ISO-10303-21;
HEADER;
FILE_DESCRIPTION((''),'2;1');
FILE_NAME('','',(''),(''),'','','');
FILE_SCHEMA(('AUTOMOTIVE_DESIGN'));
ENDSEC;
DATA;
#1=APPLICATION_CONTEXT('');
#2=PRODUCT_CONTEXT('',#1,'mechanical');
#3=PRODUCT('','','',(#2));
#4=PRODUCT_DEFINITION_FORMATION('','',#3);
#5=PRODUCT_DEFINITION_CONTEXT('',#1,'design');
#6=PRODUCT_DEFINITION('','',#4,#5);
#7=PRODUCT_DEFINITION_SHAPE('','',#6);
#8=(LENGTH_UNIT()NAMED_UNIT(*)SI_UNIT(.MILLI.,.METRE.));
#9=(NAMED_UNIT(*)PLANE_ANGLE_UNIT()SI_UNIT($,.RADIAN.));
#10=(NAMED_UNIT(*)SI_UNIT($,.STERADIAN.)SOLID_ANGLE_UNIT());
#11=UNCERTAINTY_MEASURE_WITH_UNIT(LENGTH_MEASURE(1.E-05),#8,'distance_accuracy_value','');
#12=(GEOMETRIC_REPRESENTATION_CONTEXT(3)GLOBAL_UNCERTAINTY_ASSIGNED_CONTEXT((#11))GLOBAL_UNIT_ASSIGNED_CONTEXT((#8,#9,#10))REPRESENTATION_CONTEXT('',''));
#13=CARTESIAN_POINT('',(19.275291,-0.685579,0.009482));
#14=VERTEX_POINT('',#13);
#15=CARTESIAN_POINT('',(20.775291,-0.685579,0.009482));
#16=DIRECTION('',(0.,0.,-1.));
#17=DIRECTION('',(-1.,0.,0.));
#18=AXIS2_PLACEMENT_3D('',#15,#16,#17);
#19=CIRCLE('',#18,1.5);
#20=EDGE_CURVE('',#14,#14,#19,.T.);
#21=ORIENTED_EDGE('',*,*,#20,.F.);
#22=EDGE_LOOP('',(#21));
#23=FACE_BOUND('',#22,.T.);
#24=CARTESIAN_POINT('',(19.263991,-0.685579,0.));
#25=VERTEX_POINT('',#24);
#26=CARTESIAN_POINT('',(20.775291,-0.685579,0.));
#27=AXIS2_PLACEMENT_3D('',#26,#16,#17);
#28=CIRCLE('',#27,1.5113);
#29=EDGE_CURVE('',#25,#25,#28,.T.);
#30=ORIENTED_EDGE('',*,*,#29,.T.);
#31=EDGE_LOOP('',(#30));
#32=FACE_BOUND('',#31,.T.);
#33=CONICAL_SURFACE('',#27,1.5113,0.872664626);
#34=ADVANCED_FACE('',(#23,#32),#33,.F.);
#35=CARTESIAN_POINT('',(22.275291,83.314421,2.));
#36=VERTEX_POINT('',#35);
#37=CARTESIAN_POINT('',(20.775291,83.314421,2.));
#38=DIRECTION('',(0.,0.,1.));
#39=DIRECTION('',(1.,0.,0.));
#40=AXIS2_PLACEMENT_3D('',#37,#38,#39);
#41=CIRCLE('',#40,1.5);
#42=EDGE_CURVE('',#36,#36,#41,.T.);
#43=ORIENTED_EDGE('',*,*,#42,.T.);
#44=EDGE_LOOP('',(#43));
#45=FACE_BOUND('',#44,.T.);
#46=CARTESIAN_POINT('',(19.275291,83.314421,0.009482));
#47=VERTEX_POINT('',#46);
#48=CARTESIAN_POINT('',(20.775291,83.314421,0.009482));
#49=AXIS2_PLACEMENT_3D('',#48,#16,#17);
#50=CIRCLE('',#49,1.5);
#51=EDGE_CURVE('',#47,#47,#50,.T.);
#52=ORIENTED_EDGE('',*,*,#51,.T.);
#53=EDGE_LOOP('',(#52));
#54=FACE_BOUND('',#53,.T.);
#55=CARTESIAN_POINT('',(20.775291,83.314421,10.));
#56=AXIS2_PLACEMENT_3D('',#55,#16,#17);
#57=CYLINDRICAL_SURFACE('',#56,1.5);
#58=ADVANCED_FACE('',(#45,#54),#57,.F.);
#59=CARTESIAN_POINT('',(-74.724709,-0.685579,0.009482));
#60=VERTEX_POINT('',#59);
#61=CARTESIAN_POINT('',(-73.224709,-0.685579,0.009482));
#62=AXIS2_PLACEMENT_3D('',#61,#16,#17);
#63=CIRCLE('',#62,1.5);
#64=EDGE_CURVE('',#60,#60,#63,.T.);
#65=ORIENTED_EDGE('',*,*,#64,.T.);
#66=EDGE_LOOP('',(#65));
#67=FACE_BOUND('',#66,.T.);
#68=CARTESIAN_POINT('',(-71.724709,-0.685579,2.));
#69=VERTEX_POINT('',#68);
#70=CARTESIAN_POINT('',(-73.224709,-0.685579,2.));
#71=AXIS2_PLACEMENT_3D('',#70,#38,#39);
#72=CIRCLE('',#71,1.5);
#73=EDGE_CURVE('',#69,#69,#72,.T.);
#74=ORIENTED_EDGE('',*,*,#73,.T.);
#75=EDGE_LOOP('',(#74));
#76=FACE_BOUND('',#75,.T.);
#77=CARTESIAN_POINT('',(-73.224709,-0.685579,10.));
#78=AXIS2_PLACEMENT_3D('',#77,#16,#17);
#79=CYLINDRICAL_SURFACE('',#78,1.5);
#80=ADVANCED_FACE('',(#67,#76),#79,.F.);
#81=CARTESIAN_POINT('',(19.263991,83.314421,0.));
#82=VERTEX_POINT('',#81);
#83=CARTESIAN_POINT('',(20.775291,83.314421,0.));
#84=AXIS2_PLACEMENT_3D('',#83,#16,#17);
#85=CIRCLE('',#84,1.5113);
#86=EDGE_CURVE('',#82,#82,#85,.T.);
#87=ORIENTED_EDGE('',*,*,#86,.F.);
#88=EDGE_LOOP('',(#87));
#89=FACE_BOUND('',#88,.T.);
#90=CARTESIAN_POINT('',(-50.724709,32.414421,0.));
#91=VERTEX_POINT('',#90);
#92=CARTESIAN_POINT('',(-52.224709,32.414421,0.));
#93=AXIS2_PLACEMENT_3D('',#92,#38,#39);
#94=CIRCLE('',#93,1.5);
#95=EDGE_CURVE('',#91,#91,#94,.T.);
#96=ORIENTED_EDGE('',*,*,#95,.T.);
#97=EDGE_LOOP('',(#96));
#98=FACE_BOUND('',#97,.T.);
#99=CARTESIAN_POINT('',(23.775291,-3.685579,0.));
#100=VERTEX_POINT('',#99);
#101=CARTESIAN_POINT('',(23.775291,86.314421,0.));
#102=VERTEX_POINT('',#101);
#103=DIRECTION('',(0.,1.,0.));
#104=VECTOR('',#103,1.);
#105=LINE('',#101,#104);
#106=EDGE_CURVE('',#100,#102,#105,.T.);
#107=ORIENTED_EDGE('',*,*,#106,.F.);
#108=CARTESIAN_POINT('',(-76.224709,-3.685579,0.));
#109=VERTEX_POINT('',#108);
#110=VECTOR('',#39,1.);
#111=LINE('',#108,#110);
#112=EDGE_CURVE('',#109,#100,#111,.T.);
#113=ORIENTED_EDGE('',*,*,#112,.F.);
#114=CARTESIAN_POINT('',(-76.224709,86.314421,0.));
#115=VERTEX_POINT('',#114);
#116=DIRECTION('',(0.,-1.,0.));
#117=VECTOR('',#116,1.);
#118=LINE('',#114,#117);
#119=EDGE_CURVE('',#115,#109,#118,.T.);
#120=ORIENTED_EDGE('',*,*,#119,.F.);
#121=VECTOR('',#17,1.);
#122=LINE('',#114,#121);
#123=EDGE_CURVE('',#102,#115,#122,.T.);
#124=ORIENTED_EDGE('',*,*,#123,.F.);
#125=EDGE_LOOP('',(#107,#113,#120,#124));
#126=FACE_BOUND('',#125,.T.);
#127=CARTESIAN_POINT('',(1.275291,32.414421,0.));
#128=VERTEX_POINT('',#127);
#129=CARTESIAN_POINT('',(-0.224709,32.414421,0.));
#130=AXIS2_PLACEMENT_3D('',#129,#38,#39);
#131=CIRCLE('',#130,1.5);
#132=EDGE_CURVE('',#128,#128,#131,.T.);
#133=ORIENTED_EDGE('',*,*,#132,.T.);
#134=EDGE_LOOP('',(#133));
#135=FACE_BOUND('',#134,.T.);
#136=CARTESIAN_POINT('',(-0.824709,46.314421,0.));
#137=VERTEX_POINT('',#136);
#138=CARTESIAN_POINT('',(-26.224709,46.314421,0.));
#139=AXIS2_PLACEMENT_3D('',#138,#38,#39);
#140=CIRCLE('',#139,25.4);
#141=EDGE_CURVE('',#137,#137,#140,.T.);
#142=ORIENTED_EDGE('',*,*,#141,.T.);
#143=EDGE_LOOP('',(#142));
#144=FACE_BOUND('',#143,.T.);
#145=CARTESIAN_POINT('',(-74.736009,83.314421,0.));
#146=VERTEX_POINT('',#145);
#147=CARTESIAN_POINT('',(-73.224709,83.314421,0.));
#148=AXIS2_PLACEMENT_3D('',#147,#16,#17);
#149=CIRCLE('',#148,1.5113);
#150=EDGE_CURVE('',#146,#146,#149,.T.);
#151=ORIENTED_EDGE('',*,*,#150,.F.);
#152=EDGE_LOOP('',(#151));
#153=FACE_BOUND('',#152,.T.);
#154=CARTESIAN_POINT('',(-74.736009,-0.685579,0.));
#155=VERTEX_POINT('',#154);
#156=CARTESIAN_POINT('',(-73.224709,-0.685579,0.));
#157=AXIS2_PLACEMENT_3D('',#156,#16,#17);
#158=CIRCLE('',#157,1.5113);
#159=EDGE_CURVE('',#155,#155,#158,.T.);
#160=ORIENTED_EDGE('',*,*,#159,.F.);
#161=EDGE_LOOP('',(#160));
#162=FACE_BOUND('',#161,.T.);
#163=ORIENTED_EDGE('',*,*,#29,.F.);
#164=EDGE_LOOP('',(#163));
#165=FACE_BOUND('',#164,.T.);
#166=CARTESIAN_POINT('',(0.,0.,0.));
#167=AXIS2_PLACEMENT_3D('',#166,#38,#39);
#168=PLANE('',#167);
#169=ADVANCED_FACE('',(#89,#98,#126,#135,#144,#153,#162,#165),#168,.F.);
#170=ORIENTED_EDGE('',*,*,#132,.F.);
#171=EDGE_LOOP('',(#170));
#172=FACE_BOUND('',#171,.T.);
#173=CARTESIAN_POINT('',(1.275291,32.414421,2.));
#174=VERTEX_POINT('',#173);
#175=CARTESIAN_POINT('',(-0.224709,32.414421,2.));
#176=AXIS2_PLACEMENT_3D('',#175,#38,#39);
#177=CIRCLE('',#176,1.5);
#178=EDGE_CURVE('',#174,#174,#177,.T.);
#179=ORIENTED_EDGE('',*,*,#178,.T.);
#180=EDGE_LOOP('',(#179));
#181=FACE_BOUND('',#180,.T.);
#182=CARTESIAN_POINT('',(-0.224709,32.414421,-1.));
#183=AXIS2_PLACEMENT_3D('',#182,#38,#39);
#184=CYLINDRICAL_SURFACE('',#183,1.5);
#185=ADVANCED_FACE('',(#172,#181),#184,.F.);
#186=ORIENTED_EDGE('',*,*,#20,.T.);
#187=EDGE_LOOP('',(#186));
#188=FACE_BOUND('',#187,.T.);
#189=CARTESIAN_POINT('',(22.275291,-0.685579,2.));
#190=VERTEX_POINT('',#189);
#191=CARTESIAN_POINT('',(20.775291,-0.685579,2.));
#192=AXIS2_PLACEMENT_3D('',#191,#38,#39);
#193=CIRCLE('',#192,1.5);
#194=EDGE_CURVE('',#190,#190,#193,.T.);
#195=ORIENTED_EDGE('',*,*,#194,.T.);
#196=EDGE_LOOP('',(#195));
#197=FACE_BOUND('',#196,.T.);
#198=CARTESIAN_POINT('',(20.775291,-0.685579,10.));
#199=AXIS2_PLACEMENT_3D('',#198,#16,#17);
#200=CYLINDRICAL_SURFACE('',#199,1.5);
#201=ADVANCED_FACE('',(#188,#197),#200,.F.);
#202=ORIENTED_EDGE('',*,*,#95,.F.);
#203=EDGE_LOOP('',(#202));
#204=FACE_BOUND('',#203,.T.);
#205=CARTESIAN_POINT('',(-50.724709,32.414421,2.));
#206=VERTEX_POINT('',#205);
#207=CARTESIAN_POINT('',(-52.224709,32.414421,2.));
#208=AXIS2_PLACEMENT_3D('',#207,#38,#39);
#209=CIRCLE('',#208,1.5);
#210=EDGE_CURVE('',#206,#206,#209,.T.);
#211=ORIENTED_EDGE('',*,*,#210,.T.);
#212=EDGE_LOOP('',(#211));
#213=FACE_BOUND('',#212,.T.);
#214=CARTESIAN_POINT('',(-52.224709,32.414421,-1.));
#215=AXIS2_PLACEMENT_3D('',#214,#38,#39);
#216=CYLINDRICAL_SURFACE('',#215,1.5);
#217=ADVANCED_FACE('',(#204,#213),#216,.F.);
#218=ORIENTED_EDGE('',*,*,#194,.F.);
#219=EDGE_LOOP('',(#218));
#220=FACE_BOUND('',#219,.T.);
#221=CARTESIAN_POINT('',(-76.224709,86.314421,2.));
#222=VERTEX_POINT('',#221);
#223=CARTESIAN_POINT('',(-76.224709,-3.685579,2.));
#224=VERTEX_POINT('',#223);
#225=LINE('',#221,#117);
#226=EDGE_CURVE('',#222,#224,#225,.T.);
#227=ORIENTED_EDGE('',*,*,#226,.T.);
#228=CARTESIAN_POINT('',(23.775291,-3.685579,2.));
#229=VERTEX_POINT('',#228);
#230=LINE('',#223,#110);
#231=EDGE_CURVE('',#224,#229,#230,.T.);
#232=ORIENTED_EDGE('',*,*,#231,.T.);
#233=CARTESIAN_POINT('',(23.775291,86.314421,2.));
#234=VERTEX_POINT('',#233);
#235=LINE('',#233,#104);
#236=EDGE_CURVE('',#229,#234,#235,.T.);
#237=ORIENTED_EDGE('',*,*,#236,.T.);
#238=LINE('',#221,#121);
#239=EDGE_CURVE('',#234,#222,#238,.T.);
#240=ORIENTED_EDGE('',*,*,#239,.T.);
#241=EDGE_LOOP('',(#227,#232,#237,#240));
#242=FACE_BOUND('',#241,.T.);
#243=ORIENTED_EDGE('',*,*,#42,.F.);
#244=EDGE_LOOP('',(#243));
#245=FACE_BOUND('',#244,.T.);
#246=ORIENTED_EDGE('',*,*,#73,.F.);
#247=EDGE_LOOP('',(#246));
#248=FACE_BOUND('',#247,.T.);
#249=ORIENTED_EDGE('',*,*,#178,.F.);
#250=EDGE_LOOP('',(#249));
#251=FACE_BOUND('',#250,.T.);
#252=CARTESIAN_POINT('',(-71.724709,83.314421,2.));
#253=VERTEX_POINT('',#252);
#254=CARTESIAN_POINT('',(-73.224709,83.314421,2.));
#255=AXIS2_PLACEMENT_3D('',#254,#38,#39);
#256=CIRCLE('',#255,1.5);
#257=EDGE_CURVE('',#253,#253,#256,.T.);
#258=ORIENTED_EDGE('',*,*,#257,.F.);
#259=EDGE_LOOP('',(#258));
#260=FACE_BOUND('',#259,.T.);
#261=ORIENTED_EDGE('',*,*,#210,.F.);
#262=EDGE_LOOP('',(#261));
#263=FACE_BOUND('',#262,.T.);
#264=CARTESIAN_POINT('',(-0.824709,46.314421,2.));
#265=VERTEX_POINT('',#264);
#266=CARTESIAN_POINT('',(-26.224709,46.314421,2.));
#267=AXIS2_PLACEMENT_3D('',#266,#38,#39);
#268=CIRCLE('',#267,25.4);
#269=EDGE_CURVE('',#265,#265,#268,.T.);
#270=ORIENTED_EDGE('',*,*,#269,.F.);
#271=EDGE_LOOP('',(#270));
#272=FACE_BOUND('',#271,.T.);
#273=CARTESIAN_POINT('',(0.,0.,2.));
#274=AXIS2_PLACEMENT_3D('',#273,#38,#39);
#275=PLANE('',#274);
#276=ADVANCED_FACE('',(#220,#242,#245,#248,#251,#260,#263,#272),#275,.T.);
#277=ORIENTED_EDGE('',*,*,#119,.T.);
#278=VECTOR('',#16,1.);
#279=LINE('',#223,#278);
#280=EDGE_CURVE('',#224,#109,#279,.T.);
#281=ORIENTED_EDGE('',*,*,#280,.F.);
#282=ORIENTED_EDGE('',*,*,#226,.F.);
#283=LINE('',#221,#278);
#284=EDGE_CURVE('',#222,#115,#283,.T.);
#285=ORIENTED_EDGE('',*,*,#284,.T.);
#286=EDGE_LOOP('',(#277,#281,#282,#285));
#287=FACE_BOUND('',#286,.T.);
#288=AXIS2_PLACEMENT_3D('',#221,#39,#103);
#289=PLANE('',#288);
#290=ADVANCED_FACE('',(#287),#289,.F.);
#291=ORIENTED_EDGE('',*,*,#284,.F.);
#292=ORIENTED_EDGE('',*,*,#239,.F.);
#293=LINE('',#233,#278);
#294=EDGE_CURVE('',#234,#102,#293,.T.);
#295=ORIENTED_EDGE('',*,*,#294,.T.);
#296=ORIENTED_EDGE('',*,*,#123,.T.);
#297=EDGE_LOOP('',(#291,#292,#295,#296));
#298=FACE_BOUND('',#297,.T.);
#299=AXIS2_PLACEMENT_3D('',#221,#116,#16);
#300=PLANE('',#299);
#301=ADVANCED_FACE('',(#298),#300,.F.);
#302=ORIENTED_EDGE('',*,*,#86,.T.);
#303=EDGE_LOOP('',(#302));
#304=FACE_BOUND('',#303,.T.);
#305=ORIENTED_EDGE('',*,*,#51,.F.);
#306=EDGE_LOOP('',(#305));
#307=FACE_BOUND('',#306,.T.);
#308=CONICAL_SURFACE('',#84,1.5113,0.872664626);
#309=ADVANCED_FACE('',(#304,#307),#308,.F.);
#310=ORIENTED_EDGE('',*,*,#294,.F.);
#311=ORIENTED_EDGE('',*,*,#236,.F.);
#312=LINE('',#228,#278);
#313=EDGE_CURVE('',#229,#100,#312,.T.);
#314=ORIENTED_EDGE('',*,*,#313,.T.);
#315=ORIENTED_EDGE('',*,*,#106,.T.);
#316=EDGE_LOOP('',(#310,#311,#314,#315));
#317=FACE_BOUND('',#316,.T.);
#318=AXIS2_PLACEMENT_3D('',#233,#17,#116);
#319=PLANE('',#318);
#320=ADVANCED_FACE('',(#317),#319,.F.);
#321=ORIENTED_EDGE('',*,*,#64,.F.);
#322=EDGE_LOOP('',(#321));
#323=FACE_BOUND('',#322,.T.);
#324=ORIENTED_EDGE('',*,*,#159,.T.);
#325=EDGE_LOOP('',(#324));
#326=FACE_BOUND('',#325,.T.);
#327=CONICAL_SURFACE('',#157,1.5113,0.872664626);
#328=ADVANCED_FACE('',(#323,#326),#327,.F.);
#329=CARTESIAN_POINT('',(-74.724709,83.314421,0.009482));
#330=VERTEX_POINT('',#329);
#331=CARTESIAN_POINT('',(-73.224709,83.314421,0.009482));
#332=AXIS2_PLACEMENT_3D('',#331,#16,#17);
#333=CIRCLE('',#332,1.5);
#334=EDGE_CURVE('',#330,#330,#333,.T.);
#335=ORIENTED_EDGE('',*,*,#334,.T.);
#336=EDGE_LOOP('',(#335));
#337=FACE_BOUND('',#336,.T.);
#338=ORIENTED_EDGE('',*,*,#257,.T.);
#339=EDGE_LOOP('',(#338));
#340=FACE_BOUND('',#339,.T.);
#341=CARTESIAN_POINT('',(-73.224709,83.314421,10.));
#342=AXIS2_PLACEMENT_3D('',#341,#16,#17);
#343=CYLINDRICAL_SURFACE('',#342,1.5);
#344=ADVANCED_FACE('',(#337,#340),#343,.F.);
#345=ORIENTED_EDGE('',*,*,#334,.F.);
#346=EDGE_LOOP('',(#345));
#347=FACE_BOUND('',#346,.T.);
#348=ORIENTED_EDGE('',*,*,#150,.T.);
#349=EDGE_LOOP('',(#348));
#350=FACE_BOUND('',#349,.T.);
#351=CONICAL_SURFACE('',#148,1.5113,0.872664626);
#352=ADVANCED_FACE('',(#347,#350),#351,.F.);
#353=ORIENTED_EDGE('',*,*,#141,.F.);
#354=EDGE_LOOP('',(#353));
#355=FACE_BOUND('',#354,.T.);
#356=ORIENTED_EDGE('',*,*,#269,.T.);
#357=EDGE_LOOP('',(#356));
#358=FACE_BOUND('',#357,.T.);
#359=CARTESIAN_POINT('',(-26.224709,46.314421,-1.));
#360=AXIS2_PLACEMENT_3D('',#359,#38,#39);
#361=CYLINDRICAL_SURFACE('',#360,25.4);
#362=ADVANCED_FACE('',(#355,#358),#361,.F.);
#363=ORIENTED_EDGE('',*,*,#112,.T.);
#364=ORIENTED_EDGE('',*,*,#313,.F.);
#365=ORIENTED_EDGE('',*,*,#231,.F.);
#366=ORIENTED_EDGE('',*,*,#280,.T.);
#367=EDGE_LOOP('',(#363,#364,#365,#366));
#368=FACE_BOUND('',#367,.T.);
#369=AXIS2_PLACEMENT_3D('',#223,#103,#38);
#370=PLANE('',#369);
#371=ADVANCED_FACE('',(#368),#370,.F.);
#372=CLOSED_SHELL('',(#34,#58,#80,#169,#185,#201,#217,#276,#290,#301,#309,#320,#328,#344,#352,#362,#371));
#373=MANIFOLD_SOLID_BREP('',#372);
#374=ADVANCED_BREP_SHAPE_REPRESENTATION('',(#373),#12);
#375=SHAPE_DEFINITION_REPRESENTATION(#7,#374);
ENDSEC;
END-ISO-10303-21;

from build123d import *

# Parameters (mm, degrees)
SKETCH1_W                                         = 100
SKETCH1_H                                         = 90
BOSS_EXTRUDE1_DEPTH                               = 2
SKETCH2_R                                         = 25.4
CUT_EXTRUDE1_DEPTH                                = 3
SKETCH3_R                                         = 1.5
CUT_EXTRUDE2_DEPTH                                = 3
SKETCH4_R                                         = 1.5
CUT_EXTRUDE3_DEPTH                                = 10
CSK_FOR_0_FLAT_HEAD_MACHINE_SCREW_100_D           = 1.778
CSK_FOR_0_FLAT_HEAD_MACHINE_SCREW_100_CSINK_D     = 3.0226
CSK_FOR_0_FLAT_HEAD_MACHINE_SCREW_100_CSINK_ANGLE = 100


with BuildPart() as part:
    # Sketch1 → Boss-Extrude1 (new body)
    with BuildSketch(Plane.XY):
        with Locations((-26.224709151, 41.314420924)):
            Rectangle(SKETCH1_W, SKETCH1_H)
    extrude(amount=BOSS_EXTRUDE1_DEPTH)

    # Sketch2 → Cut-Extrude1 (cut)
    with BuildSketch(Plane.XY.offset(2)):
        with Locations((-26.224709151, 46.314420924)):
            Circle(SKETCH2_R)
    extrude(amount=-CUT_EXTRUDE1_DEPTH, mode=Mode.SUBTRACT)

    # Sketch3 → Cut-Extrude2 (cut)
    with BuildSketch(Plane.XY.offset(2)):
        with Locations((-52.224709151, 32.414420924)):
            Circle(SKETCH3_R)
        with Locations((-0.224709151, 32.414420924)):
            Circle(SKETCH3_R)
    extrude(amount=-CUT_EXTRUDE2_DEPTH, mode=Mode.SUBTRACT)

    # Sketch4 → Cut-Extrude3 (cut)
    with BuildSketch(Plane(origin=(0, 0, 0), x_dir=(-1, 0, 0), z_dir=(0, 0, -1))):
        with Locations((-20.775290849, 83.314420924)):
            Circle(SKETCH4_R)
        with Locations((73.224709151, 83.314420924)):
            Circle(SKETCH4_R)
        with Locations((73.224709151, -0.685579076)):
            Circle(SKETCH4_R)
        with Locations((-20.775290849, -0.685579076)):
            Circle(SKETCH4_R)
    extrude(amount=-CUT_EXTRUDE3_DEPTH, mode=Mode.SUBTRACT)

    # CSK for #0 Flat Head Machine Screw (100)2 (through all)
    with Locations(Plane(origin=(0, 0, 0), x_dir=(-1, 0, 0), z_dir=(0, 0, -1))):
        with Locations((-20.775290849, 83.314420924), (73.224709151, 83.314420924), (73.224709151, -0.685579076), (-20.775290849, -0.685579076)):
            CounterSinkHole(CSK_FOR_0_FLAT_HEAD_MACHINE_SCREW_100_D / 2, CSK_FOR_0_FLAT_HEAD_MACHINE_SCREW_100_CSINK_D / 2, counter_sink_angle=CSK_FOR_0_FLAT_HEAD_MACHINE_SCREW_100_CSINK_ANGLE)


solid = part.part
